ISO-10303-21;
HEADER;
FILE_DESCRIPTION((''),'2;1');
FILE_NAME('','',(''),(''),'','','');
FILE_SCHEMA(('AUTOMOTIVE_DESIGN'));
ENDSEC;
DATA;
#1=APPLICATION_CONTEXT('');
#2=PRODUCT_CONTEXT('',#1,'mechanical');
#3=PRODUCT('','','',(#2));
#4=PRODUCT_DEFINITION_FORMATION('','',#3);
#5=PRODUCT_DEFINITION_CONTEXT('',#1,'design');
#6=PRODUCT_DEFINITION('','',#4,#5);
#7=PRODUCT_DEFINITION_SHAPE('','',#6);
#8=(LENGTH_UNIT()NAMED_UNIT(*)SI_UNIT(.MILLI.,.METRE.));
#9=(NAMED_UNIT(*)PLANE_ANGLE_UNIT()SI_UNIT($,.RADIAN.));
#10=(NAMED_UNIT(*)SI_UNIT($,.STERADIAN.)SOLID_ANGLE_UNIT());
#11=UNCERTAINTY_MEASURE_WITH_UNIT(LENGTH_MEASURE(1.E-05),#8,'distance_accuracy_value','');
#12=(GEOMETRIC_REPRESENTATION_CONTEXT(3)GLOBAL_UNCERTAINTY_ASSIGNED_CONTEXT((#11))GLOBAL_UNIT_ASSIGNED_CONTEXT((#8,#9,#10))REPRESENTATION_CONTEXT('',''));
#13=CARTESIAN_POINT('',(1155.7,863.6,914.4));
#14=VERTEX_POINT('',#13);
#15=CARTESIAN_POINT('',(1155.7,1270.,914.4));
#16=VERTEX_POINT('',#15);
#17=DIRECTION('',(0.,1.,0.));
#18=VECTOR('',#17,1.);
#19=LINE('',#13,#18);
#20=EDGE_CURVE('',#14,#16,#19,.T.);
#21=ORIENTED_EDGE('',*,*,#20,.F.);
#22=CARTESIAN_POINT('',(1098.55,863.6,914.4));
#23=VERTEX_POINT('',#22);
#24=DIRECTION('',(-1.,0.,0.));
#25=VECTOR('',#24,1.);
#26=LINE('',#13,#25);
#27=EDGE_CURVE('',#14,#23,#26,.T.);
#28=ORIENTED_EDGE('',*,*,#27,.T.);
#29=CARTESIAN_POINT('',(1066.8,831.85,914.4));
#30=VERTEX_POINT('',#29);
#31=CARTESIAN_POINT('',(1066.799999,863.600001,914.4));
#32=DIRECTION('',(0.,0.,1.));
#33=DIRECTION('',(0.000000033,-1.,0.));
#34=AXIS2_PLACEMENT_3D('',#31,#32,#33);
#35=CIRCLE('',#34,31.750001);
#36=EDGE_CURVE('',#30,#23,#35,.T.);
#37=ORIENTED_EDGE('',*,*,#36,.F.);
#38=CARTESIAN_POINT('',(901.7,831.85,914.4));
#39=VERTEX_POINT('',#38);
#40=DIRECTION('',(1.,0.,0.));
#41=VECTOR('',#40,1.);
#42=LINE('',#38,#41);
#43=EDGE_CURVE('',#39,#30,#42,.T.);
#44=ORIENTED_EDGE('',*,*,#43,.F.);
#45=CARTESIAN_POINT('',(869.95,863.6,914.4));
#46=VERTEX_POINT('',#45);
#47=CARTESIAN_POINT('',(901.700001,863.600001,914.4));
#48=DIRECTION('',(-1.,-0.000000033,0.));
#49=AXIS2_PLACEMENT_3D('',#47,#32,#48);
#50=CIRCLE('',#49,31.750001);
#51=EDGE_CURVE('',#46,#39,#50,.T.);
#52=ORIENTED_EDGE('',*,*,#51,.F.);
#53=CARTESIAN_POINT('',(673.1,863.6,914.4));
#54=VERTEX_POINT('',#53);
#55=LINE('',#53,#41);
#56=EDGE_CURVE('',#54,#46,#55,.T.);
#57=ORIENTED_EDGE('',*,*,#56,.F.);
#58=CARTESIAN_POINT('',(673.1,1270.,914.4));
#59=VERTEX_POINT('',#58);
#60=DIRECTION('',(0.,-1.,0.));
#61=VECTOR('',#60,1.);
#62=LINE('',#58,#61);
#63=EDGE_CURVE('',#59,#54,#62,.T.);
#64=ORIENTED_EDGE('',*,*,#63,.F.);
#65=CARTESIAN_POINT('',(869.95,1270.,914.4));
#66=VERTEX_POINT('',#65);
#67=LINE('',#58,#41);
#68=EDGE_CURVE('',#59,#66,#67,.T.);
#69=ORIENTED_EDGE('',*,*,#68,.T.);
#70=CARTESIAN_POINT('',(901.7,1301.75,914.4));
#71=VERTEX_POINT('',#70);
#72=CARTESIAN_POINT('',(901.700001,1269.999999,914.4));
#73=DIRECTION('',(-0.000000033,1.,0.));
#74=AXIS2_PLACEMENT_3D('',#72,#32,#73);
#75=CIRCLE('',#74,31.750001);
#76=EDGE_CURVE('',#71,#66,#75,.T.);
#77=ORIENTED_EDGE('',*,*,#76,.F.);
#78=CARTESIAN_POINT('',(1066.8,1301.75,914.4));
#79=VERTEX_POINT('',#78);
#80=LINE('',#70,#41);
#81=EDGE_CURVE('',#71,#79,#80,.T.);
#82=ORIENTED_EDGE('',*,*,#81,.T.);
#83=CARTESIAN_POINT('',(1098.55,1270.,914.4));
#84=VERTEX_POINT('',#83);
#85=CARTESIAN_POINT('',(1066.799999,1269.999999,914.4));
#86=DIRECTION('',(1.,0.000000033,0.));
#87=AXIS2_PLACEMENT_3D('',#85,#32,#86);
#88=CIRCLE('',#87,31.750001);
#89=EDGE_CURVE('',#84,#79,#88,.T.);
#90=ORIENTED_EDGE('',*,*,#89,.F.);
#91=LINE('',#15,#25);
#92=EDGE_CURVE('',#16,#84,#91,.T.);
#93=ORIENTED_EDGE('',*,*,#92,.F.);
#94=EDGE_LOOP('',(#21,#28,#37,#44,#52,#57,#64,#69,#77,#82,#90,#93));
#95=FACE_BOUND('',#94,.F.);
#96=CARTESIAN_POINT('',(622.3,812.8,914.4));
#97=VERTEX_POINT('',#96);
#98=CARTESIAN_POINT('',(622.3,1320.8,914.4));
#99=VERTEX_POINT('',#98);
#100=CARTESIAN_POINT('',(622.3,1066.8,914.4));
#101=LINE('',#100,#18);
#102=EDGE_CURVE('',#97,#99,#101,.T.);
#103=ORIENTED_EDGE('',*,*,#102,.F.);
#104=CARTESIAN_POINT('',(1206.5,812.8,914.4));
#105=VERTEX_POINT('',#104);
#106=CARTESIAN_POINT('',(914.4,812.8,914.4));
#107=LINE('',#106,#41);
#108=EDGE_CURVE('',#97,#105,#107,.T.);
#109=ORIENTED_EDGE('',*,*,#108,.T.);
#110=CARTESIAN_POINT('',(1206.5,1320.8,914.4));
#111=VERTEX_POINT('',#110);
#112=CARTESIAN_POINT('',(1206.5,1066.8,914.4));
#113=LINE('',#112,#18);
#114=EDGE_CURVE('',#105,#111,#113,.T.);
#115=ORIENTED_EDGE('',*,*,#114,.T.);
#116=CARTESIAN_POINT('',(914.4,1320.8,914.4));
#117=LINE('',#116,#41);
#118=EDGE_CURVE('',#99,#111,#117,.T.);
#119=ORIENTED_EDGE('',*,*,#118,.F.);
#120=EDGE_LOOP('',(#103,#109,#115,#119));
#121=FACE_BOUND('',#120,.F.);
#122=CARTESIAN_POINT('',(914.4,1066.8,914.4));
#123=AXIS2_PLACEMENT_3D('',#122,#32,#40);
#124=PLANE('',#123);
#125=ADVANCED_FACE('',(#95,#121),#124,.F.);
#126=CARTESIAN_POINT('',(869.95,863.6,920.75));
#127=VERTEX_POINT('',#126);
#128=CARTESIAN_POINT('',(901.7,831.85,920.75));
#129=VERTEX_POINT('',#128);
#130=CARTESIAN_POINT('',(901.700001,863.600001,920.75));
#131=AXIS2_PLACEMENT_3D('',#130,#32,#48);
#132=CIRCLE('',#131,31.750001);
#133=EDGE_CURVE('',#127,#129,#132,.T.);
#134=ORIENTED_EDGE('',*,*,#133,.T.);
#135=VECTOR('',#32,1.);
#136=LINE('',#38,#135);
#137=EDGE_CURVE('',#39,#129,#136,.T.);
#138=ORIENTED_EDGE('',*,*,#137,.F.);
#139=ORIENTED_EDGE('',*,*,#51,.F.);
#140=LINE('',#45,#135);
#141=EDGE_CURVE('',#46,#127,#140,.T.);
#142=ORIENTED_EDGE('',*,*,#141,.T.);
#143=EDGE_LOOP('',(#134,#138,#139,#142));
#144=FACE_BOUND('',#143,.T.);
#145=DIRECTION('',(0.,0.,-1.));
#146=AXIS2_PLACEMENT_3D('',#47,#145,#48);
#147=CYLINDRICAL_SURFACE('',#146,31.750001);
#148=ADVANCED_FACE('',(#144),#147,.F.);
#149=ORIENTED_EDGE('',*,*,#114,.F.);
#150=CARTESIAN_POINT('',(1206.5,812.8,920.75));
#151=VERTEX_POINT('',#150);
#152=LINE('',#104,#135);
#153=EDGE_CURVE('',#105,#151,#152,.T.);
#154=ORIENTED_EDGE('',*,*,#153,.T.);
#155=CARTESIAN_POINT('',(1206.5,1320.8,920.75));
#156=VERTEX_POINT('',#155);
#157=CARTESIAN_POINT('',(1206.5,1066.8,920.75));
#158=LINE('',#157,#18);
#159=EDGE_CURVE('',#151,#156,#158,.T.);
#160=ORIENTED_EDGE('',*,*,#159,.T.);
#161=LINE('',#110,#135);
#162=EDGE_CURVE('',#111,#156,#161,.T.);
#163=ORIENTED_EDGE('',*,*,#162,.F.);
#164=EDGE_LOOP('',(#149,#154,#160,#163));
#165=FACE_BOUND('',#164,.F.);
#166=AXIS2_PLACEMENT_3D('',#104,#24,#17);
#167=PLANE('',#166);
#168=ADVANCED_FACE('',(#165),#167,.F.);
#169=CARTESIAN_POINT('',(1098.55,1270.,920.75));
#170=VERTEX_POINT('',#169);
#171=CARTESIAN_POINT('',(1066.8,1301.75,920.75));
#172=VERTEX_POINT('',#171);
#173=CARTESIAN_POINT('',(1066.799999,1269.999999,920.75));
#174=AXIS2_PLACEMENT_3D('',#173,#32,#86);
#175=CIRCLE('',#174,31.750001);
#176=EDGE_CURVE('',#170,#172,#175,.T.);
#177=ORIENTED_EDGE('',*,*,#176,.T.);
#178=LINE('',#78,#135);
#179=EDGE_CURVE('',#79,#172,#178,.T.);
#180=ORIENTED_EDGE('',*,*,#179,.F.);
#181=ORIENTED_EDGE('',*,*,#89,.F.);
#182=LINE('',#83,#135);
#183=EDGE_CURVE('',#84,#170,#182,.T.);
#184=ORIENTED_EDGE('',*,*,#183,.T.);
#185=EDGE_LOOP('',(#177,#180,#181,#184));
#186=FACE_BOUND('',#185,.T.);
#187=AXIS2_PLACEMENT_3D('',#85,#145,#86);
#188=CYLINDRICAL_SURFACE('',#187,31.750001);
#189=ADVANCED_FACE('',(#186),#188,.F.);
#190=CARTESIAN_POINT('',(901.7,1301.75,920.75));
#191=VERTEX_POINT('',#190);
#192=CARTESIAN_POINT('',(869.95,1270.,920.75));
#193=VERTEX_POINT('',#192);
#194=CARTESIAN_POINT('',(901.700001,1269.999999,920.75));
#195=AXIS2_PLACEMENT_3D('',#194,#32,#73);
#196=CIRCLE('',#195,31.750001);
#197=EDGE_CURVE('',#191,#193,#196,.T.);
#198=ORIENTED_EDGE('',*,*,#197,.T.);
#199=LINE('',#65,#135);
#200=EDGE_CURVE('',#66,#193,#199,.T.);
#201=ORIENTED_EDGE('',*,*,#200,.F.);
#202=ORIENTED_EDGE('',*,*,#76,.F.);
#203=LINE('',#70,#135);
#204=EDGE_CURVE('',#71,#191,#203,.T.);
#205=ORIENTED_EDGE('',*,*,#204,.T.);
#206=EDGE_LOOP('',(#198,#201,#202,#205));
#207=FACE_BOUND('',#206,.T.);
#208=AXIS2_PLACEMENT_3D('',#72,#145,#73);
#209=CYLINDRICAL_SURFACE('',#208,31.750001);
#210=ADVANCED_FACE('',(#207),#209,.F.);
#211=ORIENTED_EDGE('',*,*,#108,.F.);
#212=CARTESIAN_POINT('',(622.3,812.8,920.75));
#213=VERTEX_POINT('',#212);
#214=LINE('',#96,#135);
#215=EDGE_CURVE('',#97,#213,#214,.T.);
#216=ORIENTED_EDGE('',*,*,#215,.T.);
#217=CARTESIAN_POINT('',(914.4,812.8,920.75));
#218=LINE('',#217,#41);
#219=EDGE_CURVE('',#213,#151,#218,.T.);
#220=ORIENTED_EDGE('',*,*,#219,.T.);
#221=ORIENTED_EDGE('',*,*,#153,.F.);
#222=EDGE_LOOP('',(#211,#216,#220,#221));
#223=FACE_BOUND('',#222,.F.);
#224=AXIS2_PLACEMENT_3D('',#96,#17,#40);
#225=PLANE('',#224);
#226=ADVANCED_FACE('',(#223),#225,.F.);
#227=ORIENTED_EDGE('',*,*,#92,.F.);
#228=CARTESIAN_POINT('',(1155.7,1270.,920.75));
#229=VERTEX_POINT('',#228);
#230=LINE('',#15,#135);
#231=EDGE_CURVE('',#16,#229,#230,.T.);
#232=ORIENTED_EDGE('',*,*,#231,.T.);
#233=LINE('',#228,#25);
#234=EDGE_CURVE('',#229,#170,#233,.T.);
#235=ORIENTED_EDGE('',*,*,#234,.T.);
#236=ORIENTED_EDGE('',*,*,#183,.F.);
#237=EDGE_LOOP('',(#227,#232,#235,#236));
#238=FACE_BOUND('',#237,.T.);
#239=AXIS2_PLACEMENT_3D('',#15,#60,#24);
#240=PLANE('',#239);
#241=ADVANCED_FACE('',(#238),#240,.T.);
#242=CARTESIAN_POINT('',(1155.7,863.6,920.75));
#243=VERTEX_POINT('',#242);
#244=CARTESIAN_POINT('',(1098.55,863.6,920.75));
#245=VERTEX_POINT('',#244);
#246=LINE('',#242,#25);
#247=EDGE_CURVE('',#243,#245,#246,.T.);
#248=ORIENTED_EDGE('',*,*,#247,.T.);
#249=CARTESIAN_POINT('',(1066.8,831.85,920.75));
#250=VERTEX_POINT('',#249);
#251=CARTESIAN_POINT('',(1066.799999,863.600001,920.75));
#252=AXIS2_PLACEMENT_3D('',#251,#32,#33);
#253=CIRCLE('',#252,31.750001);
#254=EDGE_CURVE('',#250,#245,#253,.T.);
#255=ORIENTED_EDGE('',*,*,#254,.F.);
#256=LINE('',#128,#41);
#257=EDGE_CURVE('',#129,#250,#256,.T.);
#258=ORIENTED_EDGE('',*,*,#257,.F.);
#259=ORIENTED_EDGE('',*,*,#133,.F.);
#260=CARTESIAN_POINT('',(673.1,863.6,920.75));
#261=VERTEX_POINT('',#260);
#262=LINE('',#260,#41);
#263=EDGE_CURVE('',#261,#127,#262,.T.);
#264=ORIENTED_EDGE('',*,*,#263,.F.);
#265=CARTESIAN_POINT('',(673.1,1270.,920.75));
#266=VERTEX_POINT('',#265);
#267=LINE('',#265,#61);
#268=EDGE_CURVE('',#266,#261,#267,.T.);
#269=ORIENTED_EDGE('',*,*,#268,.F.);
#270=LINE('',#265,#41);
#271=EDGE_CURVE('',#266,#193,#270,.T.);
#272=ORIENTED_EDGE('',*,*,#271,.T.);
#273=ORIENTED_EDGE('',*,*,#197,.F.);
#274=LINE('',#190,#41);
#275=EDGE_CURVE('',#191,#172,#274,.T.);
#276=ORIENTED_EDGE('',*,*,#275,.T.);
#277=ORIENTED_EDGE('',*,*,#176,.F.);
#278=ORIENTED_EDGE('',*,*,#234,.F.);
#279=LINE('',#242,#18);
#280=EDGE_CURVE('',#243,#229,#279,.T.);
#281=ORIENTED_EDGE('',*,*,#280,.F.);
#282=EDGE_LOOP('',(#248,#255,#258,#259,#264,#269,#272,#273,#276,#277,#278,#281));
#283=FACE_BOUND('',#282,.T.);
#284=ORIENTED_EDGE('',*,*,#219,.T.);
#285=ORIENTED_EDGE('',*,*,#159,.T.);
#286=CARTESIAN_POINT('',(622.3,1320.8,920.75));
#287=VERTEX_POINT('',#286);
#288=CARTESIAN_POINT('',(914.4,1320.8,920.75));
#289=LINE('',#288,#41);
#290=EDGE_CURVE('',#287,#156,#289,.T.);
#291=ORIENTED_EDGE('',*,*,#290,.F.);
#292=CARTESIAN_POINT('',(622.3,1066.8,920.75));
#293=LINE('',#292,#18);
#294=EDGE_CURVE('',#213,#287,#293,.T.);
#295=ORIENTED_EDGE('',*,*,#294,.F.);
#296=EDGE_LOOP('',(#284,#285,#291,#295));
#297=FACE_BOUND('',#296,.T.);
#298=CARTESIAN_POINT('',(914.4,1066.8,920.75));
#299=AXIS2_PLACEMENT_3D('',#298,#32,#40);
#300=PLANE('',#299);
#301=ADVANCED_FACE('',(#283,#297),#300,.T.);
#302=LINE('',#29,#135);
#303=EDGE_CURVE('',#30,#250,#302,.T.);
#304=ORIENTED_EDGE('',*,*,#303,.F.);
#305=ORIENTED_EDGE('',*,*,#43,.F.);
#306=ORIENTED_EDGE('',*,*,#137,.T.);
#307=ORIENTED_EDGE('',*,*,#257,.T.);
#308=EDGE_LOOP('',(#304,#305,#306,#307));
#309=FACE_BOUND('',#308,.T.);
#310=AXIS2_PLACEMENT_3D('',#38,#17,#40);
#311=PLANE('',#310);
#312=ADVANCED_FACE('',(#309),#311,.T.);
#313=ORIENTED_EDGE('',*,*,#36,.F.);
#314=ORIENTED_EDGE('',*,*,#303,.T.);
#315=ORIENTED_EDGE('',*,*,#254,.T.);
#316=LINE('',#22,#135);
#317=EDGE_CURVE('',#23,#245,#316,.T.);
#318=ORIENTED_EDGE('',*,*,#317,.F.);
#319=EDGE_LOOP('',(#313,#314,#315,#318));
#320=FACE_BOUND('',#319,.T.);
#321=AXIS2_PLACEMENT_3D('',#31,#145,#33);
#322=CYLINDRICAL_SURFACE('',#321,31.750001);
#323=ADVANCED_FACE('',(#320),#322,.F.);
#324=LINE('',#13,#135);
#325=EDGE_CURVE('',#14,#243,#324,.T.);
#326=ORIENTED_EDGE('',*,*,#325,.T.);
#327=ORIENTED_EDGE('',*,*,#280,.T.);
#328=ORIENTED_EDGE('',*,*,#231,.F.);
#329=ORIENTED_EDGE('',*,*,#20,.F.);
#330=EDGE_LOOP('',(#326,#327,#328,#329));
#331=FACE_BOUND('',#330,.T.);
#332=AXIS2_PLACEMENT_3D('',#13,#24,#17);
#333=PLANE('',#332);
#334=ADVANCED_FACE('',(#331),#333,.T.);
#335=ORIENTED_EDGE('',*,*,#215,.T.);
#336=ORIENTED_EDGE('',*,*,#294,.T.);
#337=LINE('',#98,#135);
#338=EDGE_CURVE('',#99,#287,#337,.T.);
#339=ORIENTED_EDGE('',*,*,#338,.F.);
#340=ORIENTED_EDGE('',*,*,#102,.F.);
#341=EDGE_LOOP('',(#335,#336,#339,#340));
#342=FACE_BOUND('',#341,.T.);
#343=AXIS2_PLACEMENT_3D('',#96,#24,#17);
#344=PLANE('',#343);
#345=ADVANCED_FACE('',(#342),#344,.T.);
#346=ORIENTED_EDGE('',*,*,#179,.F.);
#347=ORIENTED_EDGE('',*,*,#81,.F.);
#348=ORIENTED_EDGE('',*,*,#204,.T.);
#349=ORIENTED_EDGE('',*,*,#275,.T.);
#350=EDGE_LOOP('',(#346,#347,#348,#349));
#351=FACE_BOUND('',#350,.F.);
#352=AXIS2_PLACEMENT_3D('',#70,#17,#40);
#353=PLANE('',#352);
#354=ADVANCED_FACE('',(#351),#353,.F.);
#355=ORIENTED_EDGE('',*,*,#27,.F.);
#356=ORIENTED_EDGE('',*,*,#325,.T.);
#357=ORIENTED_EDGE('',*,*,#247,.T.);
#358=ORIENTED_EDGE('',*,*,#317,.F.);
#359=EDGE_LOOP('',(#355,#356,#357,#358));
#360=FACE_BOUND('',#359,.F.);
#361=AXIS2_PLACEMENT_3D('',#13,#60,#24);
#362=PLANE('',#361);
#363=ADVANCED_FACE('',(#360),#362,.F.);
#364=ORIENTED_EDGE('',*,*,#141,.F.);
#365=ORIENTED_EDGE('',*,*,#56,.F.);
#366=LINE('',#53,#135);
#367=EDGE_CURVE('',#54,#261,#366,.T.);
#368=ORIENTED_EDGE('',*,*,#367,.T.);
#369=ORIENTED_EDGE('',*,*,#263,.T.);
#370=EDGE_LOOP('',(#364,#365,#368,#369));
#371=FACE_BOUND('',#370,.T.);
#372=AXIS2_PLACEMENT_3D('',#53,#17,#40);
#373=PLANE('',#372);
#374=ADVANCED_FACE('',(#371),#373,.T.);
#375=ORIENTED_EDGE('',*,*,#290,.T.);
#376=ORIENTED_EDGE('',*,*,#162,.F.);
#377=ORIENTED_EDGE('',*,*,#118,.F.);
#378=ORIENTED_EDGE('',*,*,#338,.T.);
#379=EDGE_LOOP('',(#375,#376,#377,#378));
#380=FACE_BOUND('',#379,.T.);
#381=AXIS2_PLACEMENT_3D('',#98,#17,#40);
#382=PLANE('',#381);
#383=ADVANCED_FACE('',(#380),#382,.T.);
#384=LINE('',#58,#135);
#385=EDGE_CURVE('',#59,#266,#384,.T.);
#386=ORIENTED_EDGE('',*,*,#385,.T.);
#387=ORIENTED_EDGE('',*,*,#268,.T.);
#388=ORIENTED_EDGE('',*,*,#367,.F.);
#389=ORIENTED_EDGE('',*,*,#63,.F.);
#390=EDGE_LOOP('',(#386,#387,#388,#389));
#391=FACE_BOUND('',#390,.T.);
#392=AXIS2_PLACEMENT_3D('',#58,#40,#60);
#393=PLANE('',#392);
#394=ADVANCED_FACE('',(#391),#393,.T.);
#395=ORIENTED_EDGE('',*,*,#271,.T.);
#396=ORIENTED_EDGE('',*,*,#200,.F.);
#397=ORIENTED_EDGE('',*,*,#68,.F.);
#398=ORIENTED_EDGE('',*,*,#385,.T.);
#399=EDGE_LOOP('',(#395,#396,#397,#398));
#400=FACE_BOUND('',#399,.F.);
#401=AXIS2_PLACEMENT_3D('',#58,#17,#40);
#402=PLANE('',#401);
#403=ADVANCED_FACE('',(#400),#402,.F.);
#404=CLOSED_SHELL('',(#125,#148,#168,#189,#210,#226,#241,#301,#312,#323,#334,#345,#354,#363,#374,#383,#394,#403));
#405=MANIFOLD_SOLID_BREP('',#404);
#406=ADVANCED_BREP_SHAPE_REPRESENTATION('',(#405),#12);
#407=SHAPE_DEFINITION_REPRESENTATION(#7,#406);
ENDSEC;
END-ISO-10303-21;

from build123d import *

# Parameters (mm, degrees)
SKETCH_W  = 584.2
SKETCH_H  = 508
PAD_DEPTH = 6.35


with BuildPart() as part:
    # Sketch → Pad (new body)
    with BuildSketch(Plane(origin=(914.4, 1066.8, 914.4), x_dir=(1, 0, 0), z_dir=(0, 0, 1))):
        Rectangle(SKETCH_W, SKETCH_H)
        with BuildLine():
            Line((241.3, -203.2), (241.3, 203.2))
            Line((241.3, 203.2), (184.15, 203.2))
            ThreePointArc((184.15, 203.2), (174.85064, 225.65064), (152.4, 234.95))
            Line((-12.7, 234.95), (152.4, 234.95))
            ThreePointArc((-12.7, 234.95), (-35.15064, 225.65064), (-44.45, 203.2))
            Line((-241.3, 203.2), (-44.45, 203.2))
            Line((-241.3, 203.2), (-241.3, -203.2))
            Line((-241.3, -203.2), (-44.45, -203.2))
            ThreePointArc((-44.45, -203.2), (-35.15064, -225.65064), (-12.7, -234.95))
            Line((-12.7, -234.95), (152.4, -234.95))
            ThreePointArc((152.4, -234.95), (174.85064, -225.65064), (184.15, -203.2))
            Line((241.3, -203.2), (184.15, -203.2))
        make_face(mode=Mode.SUBTRACT)
    extrude(amount=PAD_DEPTH)


solid = part.part
